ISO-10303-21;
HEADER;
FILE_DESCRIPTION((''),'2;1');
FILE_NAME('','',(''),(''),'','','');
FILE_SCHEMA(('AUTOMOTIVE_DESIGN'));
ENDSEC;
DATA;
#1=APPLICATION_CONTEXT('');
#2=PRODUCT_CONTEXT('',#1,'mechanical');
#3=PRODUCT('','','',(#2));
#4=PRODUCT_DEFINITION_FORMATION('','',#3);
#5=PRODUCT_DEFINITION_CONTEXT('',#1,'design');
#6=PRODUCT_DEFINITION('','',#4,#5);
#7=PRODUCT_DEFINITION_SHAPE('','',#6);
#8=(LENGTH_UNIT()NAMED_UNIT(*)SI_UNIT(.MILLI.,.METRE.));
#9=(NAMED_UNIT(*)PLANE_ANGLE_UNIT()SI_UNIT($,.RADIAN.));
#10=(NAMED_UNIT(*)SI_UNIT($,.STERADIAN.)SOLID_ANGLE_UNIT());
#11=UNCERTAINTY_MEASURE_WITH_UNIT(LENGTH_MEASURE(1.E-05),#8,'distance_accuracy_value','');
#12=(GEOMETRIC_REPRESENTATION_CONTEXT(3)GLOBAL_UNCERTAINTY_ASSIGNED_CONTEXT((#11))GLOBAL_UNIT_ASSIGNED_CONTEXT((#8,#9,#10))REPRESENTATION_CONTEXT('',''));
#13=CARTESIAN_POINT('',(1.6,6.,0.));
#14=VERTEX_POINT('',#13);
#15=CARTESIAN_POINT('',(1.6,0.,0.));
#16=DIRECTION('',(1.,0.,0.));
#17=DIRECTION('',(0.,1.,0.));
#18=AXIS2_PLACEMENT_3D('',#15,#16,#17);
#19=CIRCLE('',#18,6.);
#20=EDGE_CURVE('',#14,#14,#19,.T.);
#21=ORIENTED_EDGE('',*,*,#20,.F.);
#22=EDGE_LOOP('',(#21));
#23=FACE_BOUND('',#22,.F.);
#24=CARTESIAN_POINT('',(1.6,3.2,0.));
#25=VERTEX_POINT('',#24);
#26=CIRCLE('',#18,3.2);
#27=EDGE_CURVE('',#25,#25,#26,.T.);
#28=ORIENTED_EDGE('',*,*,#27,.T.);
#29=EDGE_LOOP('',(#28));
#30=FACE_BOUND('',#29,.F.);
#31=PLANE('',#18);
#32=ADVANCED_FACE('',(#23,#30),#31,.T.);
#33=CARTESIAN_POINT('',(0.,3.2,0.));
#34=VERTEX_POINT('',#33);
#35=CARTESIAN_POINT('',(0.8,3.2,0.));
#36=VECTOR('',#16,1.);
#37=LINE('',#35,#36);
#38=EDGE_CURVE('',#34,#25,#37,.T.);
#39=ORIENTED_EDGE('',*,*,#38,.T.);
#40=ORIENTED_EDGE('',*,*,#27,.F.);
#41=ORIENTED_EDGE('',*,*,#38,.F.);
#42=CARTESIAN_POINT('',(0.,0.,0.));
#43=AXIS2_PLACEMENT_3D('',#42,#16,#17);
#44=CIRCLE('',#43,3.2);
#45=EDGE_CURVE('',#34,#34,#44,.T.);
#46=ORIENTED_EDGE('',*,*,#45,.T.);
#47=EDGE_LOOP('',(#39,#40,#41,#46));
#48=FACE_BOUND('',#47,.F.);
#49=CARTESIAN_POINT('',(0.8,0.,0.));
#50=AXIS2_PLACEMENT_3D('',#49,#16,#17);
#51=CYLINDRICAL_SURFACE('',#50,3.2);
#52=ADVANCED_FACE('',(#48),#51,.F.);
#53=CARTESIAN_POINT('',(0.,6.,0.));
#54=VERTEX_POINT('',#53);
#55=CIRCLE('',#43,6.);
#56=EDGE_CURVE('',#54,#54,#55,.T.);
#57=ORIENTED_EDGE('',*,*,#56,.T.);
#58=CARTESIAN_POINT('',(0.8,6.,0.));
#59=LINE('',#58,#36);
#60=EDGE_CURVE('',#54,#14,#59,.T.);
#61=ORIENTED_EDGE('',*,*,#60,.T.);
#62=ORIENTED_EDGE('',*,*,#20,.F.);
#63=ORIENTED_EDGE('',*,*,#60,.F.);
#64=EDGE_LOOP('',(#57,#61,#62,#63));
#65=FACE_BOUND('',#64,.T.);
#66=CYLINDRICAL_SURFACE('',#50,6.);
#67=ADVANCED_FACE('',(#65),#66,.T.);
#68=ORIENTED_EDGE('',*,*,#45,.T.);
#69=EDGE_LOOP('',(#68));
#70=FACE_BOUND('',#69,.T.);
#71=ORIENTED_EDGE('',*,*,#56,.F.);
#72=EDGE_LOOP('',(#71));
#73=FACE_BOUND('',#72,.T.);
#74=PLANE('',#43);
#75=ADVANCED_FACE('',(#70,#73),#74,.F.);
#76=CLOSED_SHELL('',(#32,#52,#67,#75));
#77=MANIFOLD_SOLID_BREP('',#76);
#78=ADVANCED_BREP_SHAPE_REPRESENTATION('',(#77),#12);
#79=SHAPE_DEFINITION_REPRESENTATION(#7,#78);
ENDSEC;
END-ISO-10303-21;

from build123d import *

# Parameters (mm, degrees)
SZKIC1_W = 1.6
SZKIC1_H = 2.8


with BuildPart() as part:
    # Szkic1 → Obrót1 (revolve)
    with BuildSketch(Plane.XY):
        with Locations((0.8, 4.6)):
            Rectangle(SZKIC1_W, SZKIC1_H)
    revolve(axis=Axis((0, 0, 0), (1, 0, 0)))


solid = part.part
